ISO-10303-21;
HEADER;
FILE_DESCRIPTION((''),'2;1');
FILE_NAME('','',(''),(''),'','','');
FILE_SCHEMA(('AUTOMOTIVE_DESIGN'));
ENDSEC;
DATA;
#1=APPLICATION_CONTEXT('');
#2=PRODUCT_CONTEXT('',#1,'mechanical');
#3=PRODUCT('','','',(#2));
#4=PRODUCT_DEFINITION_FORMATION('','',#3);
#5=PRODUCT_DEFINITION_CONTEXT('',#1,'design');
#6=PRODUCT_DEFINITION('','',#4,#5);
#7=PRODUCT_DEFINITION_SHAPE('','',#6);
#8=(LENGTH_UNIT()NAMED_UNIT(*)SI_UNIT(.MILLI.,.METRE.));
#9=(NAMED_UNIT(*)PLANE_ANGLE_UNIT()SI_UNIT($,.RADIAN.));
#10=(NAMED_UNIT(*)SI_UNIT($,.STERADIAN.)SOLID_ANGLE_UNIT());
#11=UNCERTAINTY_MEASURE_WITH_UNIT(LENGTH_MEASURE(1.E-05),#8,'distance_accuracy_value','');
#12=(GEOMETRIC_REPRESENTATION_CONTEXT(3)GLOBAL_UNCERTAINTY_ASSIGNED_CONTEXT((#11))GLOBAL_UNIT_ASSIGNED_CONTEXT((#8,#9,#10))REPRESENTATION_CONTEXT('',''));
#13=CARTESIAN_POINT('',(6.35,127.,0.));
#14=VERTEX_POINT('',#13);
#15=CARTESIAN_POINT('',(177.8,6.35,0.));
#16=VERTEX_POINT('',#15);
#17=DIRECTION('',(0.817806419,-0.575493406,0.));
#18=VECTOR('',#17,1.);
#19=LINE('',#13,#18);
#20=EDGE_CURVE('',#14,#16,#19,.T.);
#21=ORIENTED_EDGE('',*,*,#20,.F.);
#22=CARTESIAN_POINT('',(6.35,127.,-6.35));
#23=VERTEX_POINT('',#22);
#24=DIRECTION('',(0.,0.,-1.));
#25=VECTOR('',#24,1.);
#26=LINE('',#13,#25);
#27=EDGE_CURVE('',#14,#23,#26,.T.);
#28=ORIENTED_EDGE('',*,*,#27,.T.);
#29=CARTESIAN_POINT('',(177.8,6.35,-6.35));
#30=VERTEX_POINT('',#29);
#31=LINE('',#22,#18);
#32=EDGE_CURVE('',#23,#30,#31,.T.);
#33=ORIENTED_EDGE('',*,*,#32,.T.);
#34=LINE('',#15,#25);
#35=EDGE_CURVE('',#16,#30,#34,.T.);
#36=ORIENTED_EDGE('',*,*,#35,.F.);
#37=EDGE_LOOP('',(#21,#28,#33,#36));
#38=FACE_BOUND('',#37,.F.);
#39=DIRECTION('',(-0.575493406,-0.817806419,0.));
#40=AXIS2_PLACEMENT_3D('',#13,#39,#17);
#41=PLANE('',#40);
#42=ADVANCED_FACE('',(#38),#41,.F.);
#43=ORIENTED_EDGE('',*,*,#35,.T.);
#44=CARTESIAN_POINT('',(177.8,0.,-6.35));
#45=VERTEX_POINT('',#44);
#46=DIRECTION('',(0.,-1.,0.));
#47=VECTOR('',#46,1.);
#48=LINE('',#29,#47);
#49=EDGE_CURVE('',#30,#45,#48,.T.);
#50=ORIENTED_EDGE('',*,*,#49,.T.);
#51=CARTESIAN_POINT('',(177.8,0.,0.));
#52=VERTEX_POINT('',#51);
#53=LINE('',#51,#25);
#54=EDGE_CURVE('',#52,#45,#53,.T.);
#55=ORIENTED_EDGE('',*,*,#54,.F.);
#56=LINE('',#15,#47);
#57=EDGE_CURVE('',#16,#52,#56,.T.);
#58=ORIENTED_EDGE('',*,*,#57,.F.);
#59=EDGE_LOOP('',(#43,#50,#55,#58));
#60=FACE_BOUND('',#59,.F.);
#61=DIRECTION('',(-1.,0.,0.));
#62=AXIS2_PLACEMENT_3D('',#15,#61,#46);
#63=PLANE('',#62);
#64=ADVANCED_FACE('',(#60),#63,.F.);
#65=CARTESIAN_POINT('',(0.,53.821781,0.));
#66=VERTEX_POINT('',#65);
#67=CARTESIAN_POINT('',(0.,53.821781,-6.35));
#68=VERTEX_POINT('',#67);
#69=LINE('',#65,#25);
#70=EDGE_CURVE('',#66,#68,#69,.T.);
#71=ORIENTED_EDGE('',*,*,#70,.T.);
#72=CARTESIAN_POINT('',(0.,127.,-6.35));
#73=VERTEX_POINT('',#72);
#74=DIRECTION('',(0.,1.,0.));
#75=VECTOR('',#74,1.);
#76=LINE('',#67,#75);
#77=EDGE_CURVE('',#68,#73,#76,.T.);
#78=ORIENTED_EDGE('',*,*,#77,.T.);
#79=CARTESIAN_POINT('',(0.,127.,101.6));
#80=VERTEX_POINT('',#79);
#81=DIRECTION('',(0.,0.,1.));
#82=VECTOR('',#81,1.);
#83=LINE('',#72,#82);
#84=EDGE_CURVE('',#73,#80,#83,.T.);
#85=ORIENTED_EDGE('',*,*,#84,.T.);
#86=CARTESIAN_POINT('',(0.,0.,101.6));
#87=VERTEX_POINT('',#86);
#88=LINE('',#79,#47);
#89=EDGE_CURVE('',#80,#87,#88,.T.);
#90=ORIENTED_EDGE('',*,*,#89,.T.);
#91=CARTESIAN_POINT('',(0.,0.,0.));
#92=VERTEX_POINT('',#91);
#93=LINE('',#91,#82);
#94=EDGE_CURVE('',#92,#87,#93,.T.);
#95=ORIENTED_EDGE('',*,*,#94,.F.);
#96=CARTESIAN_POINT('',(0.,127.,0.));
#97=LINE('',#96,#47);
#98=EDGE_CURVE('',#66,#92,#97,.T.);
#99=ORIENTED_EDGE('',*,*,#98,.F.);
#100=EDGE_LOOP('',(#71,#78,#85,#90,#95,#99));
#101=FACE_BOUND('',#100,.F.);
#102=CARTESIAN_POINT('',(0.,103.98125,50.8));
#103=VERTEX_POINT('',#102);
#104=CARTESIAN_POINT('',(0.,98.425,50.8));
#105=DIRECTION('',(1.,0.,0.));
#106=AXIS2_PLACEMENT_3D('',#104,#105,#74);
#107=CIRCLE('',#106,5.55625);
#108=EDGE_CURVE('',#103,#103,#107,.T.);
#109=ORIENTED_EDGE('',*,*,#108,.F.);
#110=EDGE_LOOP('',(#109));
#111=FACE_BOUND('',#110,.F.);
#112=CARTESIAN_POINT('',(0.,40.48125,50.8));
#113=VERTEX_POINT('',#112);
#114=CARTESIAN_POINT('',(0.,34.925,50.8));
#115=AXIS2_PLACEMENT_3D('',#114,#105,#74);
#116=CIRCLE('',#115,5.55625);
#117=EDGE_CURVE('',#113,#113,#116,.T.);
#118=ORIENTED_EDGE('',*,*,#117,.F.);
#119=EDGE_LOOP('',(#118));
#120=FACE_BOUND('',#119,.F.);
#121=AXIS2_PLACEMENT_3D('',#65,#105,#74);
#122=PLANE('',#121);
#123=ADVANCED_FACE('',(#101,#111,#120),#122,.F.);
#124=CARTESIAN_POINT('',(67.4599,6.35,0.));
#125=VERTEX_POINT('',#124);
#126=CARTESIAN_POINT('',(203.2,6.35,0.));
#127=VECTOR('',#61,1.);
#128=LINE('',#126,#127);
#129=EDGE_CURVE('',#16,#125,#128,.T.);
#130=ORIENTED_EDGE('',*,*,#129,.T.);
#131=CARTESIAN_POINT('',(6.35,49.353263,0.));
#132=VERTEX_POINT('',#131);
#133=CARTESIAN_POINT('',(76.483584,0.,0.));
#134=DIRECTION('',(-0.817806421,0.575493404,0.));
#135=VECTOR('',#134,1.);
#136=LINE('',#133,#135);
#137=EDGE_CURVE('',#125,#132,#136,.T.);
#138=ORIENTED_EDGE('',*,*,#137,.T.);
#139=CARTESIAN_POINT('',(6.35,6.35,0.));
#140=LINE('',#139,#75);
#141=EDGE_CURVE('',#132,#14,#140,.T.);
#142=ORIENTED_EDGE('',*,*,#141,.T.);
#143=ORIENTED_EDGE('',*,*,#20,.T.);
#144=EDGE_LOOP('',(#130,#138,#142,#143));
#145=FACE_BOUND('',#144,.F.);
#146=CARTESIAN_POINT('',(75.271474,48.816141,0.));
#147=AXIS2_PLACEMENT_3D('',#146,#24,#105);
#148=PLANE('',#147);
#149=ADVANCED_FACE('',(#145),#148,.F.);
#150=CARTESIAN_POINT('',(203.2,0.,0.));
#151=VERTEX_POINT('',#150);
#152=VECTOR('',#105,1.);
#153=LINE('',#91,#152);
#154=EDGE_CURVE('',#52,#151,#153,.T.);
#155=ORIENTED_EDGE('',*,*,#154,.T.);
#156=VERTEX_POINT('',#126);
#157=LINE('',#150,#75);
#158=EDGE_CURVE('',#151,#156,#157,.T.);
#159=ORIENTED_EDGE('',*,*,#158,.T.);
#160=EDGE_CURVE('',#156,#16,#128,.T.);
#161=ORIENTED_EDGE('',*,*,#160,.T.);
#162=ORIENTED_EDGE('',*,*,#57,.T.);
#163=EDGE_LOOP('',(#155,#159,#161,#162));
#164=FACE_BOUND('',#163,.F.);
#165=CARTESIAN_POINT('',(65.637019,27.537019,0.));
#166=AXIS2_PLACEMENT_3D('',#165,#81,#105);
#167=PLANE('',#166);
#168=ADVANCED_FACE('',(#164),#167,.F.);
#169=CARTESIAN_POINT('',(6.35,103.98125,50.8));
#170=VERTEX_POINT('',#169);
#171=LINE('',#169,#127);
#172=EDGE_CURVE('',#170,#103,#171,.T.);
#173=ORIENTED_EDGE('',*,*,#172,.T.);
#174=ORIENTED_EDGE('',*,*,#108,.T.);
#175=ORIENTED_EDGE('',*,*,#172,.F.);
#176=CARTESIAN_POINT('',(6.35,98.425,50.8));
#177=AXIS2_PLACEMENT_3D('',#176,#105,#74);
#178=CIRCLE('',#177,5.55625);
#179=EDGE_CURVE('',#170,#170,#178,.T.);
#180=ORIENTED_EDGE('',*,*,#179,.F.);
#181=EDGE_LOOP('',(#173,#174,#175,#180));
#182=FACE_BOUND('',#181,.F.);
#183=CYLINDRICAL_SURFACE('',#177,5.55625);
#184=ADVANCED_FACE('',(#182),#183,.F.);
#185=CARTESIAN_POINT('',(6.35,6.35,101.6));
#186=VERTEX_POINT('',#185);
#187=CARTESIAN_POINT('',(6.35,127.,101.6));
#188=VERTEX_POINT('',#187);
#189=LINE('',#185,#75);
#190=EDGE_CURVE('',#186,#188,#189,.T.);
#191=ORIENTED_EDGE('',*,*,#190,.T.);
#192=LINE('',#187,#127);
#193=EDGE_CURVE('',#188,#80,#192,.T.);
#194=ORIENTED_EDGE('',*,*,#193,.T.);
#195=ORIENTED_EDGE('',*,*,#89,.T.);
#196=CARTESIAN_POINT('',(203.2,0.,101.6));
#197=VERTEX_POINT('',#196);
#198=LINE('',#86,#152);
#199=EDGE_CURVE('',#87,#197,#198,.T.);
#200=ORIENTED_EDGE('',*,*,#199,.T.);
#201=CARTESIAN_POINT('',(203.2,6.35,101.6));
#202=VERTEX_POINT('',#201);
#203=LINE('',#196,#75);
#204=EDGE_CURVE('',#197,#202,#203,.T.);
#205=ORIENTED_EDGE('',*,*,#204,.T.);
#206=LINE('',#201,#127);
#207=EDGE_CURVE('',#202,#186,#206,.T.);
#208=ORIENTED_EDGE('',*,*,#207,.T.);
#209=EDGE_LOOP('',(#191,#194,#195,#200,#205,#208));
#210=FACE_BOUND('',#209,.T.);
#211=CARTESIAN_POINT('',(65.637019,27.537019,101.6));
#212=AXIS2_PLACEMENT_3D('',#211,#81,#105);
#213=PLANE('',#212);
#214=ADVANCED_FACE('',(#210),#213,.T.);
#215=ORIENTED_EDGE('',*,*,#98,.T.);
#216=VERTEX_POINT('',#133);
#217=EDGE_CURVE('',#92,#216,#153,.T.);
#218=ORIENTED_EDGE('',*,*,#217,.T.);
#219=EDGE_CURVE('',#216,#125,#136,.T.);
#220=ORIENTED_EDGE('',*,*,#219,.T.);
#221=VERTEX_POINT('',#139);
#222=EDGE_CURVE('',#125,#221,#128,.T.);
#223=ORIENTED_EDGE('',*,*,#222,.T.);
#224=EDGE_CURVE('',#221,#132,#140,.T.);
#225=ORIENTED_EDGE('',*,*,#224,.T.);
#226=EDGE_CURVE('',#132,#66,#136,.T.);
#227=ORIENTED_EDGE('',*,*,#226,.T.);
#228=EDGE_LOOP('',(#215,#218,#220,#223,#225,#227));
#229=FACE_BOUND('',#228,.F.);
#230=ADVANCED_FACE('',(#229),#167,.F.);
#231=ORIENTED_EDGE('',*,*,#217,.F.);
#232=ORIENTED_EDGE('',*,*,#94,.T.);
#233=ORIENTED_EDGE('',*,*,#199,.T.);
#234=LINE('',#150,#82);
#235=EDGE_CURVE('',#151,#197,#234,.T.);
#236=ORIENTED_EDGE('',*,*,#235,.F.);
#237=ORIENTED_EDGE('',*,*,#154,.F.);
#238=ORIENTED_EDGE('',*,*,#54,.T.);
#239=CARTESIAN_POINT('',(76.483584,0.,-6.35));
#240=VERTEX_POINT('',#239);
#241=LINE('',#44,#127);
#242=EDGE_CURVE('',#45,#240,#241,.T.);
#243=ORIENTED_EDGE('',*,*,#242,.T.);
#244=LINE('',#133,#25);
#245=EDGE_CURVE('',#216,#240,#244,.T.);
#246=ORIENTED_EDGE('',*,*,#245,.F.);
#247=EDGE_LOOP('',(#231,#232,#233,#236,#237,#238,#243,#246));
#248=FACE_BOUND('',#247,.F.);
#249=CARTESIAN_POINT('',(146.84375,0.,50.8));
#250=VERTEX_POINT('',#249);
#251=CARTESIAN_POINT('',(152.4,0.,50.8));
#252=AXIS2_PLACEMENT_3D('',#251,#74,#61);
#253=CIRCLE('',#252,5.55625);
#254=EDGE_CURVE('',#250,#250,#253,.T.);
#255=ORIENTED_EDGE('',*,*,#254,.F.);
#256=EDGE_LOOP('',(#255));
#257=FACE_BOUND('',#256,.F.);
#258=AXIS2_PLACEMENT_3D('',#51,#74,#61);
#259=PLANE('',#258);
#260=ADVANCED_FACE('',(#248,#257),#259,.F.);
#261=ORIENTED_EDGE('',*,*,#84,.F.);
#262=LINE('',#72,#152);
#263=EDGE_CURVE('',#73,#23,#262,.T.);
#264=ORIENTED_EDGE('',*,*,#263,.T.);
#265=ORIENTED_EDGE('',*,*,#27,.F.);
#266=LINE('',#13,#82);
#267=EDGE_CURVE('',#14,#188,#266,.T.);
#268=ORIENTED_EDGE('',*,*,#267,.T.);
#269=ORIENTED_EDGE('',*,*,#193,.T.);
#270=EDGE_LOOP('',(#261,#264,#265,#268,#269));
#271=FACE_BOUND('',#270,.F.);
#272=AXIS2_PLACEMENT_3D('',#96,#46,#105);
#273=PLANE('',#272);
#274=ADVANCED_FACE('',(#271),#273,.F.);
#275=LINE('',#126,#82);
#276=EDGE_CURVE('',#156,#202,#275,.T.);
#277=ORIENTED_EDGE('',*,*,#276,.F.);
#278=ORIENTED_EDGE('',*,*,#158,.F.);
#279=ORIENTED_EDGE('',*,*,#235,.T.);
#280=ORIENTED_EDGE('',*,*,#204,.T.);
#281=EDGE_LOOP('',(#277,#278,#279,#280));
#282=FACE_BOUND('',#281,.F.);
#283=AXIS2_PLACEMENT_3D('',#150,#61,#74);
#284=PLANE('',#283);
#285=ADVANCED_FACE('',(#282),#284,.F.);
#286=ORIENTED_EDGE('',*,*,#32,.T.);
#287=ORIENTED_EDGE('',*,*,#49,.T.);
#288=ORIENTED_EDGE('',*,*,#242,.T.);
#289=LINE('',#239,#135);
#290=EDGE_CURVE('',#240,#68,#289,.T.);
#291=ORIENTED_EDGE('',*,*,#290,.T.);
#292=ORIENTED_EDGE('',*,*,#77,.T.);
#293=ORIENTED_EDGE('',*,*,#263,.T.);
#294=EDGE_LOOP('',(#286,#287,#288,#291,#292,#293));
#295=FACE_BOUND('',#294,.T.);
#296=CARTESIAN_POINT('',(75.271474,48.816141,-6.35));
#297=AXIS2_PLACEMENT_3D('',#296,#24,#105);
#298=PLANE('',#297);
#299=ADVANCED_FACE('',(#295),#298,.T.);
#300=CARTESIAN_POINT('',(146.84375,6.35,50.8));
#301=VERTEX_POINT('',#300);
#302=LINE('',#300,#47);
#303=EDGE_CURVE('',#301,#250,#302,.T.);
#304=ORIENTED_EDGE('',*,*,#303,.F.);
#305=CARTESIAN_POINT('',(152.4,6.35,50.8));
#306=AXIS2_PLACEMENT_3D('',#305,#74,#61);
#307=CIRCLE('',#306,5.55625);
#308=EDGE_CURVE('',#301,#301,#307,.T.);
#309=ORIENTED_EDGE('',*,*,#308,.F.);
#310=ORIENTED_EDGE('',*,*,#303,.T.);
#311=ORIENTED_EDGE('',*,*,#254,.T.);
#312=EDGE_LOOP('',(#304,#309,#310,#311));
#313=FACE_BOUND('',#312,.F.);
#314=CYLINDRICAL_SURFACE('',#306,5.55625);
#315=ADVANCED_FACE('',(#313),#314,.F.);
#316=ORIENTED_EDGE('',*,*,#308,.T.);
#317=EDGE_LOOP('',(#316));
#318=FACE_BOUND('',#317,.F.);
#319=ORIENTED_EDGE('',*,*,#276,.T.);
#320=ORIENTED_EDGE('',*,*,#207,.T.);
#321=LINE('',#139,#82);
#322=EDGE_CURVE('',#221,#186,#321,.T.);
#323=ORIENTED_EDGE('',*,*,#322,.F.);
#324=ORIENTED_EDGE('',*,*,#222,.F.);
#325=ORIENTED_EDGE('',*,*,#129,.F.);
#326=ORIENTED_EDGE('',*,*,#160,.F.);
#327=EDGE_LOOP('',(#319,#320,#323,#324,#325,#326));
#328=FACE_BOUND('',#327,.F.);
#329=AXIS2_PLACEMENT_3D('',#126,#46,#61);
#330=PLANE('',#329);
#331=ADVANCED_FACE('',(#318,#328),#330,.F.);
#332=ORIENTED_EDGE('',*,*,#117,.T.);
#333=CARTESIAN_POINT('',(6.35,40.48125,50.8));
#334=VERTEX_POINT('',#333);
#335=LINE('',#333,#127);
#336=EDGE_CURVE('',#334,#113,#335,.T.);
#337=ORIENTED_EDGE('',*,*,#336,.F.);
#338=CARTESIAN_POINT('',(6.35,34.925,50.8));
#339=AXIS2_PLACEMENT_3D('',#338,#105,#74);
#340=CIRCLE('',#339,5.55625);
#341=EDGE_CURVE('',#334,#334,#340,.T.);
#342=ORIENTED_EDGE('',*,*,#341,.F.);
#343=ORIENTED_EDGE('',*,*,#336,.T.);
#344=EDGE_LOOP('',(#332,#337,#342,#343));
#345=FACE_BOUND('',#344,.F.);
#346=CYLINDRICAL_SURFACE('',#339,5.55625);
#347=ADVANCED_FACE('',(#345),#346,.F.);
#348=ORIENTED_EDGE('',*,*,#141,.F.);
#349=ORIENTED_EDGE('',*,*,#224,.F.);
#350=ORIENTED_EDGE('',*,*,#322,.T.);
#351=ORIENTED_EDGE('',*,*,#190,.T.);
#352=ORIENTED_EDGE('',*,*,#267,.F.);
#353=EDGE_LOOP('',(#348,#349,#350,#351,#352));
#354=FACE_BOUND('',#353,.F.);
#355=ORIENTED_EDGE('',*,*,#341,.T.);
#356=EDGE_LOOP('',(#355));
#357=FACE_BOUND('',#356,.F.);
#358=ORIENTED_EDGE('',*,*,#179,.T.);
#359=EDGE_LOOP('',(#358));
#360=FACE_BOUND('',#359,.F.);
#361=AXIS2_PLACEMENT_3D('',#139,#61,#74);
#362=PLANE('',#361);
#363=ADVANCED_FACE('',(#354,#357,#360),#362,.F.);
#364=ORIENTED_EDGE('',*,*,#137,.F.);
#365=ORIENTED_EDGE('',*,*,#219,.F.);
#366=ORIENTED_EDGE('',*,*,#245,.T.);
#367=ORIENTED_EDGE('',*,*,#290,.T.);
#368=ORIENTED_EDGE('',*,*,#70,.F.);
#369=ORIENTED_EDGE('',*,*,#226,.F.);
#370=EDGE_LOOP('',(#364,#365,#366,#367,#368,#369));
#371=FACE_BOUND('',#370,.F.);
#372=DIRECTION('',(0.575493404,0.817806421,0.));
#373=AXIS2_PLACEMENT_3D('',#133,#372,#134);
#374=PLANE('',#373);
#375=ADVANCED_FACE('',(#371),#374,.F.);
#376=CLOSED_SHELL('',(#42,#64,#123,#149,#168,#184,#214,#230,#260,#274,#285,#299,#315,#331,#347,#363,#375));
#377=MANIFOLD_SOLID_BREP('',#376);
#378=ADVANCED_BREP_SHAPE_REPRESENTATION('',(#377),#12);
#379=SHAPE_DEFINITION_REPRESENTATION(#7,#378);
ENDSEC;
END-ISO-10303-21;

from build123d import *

# Parameters (mm, degrees)
F1_DEPTH = 101.6
F3_DEPTH = 6.35
F4_R     = 5.55625
F5_DEPTH = 6.351
F6_R     = 5.55625
F7_DEPTH = 6.351


with BuildPart() as f1:
    # F0 (on Top) → F1 (new body)
    with BuildSketch(Plane.XY):
        Polygon((6.35, 127), (0, 127), (0, 0), (203.2, 0), (203.2, 6.35), (6.35, 6.35), align=None)
    extrude(amount=F1_DEPTH)

    # F2 (on face) → F3 (join)
    with BuildSketch(Plane(origin=(0, 0, 0), x_dir=(1, 0, 0), z_dir=(0, 0, -1))):
        Polygon((0, -127), (6.35, -127), (177.8, -6.35), (177.8, 0), (76.483584, 0), (0, -53.821781), align=None)
    extrude(amount=F3_DEPTH)

    # F4 (on face) → F5 (cut, through all)
    with BuildSketch(Plane.YZ.offset(6.35)):
        with Locations((34.925, 50.8)):
            Circle(F4_R)
        with Locations((98.425, 50.8)):
            Circle(F4_R)
    extrude(amount=-F5_DEPTH, mode=Mode.SUBTRACT)

    # F6 (on face) → F7 (cut, through all)
    with BuildSketch(Plane(origin=(0, 6.35, 0), x_dir=(-1, 0, 0), z_dir=(0, 1, 0))):
        with Locations((-152.4, 50.8)):
            Circle(F6_R)
    extrude(amount=-F7_DEPTH, mode=Mode.SUBTRACT)


solid = f1.part
